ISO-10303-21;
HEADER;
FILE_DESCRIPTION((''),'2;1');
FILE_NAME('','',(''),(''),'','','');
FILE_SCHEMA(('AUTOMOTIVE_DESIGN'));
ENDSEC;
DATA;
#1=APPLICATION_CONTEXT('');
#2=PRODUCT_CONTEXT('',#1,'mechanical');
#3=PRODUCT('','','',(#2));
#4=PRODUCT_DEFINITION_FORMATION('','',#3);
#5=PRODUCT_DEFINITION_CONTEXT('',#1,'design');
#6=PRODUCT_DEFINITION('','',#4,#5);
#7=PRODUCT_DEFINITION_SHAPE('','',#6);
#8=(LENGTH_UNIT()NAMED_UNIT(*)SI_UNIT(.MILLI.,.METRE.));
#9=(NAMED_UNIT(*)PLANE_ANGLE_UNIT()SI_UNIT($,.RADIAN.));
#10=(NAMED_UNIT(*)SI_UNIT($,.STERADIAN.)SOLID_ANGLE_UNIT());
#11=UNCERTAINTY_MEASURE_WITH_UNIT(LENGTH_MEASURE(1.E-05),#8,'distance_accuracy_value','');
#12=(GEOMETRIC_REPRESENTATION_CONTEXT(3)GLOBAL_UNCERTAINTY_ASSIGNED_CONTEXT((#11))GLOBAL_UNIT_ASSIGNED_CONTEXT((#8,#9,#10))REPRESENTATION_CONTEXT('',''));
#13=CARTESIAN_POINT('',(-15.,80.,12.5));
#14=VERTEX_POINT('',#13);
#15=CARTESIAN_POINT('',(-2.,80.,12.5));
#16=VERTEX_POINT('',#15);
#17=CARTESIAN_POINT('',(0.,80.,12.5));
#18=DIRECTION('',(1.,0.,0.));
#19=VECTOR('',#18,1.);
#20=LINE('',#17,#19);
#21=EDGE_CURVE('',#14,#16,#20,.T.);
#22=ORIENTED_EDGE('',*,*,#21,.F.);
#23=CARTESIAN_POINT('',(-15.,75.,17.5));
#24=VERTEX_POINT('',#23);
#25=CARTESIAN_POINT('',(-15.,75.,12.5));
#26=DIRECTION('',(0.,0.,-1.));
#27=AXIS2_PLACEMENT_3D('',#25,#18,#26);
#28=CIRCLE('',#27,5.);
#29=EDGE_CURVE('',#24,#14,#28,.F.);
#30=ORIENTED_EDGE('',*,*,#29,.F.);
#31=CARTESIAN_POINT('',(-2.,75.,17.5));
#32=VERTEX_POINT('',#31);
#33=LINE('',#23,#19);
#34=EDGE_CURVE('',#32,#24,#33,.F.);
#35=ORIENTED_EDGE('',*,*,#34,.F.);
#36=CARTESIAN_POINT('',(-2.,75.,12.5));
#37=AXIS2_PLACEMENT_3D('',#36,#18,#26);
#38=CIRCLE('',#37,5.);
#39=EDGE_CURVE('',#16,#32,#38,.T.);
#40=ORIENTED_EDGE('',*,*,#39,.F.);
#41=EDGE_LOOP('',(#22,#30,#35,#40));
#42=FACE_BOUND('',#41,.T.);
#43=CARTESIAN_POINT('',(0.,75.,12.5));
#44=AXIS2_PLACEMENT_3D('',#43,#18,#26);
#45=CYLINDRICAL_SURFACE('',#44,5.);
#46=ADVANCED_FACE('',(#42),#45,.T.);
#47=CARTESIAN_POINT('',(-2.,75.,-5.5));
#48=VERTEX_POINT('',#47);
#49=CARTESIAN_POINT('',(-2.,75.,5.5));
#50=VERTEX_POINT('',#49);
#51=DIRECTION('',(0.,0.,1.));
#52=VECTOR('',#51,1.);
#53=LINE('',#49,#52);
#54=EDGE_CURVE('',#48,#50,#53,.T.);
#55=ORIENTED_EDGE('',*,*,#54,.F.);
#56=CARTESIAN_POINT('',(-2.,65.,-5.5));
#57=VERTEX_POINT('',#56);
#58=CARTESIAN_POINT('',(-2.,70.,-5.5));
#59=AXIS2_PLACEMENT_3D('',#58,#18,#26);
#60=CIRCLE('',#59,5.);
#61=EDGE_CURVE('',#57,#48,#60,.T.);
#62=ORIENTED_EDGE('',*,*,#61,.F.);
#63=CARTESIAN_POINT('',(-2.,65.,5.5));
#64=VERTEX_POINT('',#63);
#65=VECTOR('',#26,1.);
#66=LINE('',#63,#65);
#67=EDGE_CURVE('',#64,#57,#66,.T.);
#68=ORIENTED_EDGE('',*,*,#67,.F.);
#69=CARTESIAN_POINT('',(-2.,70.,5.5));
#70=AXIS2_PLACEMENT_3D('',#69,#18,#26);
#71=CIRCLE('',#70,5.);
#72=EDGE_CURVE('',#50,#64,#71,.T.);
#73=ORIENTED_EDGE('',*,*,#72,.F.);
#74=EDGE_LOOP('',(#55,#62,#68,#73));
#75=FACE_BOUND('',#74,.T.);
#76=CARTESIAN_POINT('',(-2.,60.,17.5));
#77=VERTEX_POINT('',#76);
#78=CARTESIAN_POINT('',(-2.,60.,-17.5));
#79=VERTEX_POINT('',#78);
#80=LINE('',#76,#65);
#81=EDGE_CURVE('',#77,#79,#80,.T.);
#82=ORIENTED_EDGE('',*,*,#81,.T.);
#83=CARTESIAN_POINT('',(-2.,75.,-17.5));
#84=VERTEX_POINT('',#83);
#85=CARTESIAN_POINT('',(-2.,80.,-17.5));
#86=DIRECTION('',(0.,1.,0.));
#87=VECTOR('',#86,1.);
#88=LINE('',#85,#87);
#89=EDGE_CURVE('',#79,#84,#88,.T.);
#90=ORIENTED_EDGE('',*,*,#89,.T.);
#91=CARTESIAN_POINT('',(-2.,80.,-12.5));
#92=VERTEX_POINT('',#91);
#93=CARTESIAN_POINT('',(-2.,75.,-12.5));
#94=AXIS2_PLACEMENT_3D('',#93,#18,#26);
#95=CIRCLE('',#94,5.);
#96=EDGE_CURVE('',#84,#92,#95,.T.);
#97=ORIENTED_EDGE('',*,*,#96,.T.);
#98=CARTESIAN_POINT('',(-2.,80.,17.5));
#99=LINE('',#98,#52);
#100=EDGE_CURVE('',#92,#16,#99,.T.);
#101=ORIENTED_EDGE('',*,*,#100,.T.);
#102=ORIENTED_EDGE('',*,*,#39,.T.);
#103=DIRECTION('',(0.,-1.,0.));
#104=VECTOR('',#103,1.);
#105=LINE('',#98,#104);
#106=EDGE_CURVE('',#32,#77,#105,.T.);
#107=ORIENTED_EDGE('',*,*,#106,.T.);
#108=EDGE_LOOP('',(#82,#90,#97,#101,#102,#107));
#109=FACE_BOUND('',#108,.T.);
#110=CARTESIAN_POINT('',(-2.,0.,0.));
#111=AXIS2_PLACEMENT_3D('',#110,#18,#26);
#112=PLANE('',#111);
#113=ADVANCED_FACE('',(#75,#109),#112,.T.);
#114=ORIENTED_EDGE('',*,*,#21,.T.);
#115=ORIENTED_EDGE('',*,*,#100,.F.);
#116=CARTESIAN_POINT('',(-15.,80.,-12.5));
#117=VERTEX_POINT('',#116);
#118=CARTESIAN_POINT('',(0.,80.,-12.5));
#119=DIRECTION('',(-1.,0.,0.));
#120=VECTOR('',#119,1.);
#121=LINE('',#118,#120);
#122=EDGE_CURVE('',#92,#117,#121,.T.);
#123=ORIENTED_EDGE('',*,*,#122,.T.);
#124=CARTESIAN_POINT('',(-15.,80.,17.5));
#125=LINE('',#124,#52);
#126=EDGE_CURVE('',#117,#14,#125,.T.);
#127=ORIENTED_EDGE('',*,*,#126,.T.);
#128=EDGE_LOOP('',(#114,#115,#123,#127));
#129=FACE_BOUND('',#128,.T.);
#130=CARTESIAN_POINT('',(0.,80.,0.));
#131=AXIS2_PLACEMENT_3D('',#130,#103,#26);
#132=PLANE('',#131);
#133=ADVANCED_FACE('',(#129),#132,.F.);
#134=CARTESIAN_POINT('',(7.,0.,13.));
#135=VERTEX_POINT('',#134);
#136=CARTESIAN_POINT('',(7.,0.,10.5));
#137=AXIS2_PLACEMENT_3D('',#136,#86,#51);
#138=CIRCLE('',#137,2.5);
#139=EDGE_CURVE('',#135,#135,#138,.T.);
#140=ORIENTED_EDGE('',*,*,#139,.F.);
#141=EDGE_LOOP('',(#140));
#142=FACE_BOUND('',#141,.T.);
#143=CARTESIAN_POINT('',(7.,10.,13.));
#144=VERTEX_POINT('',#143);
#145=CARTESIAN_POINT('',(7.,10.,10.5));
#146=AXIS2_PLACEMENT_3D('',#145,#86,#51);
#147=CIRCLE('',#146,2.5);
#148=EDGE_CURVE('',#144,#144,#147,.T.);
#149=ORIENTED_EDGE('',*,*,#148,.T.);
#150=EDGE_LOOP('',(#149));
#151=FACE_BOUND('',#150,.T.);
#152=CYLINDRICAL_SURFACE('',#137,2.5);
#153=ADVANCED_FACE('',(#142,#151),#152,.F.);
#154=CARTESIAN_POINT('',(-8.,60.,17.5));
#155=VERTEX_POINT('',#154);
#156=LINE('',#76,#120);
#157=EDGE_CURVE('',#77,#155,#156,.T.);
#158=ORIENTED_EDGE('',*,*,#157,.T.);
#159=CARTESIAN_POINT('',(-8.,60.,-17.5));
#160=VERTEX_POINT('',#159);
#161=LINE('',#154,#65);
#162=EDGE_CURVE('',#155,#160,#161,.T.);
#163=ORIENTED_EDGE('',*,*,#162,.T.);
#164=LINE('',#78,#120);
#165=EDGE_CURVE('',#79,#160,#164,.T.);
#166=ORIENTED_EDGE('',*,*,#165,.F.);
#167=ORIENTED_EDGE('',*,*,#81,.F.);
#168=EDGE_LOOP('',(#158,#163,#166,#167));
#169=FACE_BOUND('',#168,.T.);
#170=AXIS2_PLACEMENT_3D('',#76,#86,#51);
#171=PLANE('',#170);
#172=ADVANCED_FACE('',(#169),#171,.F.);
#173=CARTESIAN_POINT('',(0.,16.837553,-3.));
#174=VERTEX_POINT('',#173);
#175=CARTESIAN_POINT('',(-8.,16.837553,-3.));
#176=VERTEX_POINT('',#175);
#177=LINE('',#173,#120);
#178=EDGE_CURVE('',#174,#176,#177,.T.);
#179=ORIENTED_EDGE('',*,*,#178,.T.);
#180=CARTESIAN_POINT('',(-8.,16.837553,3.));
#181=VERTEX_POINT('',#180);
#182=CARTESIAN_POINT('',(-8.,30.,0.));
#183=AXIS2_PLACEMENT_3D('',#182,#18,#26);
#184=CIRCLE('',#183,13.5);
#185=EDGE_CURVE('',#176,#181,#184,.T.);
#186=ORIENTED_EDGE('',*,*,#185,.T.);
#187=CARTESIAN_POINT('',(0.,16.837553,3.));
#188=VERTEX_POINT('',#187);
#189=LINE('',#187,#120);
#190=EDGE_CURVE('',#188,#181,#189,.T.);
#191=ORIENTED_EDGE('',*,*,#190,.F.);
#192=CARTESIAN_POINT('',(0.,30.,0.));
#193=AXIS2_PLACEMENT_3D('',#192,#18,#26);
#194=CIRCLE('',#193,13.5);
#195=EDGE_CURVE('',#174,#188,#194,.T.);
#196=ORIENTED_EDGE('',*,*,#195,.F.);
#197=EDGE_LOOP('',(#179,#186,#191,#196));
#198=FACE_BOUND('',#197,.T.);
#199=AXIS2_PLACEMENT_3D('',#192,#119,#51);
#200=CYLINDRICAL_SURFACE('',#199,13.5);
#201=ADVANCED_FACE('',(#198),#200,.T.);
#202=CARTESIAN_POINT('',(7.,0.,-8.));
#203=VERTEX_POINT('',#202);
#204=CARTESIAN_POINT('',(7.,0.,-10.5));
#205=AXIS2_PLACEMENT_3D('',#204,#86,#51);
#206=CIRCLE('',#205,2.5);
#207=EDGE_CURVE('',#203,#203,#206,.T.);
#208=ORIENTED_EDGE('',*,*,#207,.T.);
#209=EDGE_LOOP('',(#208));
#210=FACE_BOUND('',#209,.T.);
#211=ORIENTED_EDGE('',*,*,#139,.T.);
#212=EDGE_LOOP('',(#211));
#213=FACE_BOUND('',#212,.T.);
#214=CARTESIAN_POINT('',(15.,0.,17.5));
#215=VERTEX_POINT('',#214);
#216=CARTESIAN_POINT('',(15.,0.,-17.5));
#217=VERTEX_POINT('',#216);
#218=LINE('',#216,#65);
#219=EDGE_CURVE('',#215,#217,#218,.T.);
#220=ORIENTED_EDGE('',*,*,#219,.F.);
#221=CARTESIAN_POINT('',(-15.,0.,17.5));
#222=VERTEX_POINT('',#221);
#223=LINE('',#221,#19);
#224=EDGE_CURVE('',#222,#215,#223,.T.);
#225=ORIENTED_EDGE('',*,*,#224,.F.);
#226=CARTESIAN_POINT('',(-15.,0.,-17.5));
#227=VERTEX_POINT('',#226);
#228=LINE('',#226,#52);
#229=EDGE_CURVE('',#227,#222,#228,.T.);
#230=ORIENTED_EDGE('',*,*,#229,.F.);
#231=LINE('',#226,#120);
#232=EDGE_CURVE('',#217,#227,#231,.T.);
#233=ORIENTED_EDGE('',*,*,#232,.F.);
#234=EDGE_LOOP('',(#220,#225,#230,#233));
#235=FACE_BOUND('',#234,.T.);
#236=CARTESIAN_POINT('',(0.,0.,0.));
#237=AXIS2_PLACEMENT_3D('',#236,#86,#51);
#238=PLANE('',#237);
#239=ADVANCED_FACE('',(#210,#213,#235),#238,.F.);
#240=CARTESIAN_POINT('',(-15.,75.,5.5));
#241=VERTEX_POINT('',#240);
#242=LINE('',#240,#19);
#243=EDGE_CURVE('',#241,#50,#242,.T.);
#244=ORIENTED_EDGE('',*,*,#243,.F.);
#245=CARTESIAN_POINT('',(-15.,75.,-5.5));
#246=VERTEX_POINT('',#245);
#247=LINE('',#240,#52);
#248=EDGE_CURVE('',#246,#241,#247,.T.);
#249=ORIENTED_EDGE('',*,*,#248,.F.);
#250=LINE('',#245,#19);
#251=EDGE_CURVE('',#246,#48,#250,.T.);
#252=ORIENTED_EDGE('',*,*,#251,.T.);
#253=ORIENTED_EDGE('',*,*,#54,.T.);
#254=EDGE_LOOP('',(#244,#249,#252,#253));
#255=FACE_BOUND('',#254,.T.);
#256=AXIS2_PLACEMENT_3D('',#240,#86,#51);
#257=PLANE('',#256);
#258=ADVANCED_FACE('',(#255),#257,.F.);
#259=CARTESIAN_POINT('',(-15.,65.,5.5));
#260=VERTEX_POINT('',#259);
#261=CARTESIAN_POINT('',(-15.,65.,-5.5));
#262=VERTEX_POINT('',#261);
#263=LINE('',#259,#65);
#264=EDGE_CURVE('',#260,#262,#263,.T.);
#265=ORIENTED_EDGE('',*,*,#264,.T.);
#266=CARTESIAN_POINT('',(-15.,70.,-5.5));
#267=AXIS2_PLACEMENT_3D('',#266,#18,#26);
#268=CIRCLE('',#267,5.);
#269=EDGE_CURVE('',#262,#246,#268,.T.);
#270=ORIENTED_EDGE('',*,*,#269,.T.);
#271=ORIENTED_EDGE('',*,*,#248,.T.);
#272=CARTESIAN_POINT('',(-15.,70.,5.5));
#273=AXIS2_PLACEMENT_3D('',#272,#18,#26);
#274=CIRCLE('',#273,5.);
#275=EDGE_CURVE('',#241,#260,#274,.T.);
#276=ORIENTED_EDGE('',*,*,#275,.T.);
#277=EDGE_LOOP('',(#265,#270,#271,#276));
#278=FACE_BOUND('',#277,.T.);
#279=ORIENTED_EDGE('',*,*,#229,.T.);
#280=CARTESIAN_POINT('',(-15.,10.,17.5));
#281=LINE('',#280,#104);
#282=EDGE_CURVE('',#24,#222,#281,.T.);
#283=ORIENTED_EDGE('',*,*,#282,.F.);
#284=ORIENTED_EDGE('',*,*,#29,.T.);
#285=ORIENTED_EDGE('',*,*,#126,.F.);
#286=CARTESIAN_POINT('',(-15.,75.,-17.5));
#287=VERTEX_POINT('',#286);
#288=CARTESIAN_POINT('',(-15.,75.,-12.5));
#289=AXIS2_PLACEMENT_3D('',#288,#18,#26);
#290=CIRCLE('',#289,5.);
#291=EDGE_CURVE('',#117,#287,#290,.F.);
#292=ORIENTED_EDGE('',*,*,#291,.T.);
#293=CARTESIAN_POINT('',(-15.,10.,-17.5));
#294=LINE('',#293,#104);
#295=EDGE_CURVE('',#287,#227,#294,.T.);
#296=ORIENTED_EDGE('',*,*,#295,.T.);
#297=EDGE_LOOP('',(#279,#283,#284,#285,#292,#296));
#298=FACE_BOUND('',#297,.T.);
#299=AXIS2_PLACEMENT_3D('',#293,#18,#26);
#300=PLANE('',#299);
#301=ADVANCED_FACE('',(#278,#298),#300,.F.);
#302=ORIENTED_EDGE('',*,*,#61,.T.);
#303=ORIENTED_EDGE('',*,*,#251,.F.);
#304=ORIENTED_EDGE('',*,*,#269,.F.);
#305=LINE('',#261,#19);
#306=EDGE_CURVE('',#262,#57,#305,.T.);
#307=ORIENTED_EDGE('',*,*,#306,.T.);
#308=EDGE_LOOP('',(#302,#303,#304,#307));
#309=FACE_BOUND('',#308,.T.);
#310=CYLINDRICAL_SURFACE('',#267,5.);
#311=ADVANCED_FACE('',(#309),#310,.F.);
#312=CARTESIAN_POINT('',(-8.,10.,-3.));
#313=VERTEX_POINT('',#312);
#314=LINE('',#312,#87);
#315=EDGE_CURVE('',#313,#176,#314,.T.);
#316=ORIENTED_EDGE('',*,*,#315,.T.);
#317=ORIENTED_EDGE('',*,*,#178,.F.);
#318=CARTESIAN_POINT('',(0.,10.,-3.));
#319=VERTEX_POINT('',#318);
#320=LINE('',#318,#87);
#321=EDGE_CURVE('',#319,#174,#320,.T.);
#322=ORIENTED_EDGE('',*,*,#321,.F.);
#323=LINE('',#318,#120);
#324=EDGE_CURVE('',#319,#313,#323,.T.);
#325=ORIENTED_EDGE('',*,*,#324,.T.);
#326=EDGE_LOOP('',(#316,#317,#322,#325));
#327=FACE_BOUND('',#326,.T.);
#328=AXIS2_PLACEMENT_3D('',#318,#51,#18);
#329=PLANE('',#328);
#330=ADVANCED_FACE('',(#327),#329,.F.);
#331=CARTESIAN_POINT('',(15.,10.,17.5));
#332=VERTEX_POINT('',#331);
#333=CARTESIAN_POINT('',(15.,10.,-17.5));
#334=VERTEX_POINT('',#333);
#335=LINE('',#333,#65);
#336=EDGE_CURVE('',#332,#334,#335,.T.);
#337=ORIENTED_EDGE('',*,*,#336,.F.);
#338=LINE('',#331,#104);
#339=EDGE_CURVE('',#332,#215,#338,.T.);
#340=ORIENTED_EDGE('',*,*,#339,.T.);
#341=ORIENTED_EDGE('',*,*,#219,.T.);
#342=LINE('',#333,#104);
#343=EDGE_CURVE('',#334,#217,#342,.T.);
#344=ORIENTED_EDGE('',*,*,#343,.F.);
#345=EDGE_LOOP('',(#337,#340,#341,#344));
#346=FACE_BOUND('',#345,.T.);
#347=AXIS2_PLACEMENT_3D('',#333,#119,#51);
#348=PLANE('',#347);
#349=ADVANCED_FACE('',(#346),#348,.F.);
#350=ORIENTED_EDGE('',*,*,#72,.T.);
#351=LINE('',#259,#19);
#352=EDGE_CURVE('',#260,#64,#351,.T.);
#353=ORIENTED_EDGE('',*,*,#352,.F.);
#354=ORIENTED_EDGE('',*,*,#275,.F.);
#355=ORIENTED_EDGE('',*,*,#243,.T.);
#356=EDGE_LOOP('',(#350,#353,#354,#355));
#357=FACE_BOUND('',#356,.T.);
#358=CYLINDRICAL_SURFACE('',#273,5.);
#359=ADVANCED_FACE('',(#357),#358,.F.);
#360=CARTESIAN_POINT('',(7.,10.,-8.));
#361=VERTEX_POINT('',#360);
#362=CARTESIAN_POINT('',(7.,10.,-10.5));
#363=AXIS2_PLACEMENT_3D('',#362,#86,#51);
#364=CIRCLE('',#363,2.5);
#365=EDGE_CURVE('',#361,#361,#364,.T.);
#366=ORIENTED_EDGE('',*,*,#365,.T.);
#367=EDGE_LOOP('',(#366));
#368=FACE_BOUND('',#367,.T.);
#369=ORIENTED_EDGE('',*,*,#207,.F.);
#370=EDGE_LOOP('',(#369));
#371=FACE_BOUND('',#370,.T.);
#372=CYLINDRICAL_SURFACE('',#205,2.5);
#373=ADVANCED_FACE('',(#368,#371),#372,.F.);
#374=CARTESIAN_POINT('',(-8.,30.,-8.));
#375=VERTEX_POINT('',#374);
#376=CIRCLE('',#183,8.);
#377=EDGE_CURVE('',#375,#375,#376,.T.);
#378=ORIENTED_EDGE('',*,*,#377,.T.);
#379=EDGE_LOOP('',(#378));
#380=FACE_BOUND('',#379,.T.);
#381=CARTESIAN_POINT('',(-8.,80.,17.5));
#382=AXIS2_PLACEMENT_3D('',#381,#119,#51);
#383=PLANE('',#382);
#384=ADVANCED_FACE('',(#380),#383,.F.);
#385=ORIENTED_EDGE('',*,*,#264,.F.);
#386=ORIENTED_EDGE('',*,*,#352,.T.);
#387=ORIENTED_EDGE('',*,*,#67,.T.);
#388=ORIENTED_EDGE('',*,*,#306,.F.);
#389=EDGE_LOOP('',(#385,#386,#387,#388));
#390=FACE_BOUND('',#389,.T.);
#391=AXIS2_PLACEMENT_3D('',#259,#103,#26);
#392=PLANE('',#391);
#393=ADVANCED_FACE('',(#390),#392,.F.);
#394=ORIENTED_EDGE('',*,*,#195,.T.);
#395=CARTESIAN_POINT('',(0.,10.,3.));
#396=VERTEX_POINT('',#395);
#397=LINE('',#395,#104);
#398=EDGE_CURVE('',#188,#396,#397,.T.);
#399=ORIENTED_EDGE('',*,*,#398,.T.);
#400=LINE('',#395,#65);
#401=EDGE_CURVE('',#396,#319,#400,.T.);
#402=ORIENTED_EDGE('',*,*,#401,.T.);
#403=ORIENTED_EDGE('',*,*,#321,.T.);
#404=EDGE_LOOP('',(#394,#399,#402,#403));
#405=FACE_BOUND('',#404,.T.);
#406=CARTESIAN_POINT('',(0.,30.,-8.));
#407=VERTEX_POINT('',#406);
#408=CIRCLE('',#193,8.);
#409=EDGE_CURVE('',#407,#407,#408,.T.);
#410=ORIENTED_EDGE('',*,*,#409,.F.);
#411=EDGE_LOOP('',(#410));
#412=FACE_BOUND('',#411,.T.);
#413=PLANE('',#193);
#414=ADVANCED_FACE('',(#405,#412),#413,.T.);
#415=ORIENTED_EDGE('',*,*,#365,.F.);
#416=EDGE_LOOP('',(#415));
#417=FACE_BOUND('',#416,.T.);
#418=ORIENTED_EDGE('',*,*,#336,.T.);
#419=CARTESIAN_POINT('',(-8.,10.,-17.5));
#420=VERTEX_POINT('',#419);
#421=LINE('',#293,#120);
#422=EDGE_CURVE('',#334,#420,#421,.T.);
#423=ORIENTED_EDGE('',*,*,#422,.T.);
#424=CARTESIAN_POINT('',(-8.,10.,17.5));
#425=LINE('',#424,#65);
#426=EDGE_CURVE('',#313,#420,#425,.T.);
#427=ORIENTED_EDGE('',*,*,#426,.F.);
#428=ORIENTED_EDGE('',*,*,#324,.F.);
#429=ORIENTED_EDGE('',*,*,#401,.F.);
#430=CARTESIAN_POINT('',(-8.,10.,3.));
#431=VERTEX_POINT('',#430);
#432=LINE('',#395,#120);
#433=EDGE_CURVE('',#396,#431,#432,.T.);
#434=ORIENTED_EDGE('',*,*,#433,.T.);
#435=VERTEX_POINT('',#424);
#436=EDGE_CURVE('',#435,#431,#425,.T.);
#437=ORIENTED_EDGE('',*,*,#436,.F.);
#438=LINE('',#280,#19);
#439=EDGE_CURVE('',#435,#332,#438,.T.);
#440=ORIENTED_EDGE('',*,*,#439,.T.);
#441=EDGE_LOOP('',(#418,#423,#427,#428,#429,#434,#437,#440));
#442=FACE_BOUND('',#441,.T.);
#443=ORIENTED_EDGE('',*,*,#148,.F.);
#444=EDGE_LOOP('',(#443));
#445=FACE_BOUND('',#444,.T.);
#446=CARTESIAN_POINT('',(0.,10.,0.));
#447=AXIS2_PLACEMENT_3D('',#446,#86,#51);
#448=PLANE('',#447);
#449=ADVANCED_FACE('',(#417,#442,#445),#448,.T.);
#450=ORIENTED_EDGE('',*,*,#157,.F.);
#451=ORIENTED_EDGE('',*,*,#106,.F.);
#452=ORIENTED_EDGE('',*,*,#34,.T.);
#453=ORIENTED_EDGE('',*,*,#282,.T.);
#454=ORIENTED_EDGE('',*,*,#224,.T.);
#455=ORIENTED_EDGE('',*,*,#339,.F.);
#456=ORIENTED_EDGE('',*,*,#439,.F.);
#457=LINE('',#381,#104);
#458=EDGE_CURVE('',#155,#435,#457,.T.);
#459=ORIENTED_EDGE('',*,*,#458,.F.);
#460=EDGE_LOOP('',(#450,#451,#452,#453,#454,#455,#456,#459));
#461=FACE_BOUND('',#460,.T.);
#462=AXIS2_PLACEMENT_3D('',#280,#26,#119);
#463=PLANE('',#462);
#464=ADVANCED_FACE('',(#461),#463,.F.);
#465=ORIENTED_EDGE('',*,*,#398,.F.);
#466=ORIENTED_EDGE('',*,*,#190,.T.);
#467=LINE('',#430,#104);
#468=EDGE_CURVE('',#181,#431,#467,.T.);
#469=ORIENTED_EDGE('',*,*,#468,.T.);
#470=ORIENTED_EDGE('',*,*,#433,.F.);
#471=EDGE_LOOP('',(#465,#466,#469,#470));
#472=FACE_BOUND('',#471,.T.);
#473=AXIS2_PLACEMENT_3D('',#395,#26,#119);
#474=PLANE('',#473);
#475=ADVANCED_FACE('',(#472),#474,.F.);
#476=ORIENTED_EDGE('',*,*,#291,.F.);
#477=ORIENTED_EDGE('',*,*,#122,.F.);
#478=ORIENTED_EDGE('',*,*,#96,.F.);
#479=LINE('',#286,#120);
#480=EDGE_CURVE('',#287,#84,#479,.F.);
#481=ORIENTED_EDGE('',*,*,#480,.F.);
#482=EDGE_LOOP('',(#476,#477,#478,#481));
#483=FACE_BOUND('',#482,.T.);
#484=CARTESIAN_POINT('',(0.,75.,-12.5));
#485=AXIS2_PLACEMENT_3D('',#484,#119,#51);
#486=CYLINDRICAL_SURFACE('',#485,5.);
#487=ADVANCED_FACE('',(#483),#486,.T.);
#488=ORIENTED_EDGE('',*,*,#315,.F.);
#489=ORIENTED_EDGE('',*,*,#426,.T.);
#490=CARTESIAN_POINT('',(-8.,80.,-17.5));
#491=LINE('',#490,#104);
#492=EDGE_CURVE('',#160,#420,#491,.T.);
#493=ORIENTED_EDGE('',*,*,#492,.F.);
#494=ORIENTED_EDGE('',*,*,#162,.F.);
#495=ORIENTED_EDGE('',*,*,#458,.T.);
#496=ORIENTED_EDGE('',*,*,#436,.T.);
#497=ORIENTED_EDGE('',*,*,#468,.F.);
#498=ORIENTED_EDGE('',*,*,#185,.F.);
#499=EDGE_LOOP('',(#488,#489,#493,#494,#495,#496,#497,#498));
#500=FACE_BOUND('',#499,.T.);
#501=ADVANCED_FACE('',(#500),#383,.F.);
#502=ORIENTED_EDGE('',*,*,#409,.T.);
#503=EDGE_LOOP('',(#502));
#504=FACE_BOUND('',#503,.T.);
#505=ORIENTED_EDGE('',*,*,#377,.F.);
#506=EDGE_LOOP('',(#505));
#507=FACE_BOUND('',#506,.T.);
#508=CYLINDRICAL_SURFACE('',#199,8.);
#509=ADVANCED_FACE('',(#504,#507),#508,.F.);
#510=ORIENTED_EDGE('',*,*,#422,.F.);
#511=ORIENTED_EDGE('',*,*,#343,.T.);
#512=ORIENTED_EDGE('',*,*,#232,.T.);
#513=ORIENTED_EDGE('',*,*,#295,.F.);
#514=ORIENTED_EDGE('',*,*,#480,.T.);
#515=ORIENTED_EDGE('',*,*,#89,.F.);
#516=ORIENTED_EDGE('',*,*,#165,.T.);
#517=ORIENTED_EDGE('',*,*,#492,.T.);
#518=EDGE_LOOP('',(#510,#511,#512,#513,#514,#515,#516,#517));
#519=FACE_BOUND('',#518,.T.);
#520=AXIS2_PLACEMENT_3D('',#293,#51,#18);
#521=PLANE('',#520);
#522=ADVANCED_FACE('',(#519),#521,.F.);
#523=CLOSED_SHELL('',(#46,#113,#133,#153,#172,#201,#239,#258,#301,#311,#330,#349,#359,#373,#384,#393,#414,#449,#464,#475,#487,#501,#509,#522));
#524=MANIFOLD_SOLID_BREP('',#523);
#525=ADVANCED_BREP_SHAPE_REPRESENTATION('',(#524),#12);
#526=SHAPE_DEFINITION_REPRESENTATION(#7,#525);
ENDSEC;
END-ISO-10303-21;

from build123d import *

# Parameters (mm, degrees)
IZIM1_W                     = 30
IZIM1_H                     = 35
Y_KSEKLIK_EKSTR_ZYON1_DEPTH = 10
IZIM2_W                     = 7
IZIM2_H                     = 35
Y_KSEKLIK_EKSTR_ZYON2_DEPTH = 70
IZIM3_W                     = 35
IZIM3_H                     = 20
Y_KSEKLIK_EKSTR_ZYON3_DEPTH = 6
RADYUS1_R                   = 5
KES_EKSTR_ZYON1_DEPTH       = 14
IZIM5_R                     = 2.5
KES_EKSTR_ZYON2_DEPTH       = 11
IZIM6_R                     = 8
Y_KSEKLIK_EKSTR_ZYON4_DEPTH = 8


with BuildPart() as part:
    # Çizim1 → Yükseklik-Ekstrüzyon1 (new body)
    with BuildSketch(Plane(origin=(0, 0, 0), x_dir=(1, 0, 0), z_dir=(0, 1, 0))):
        Rectangle(IZIM1_W, IZIM1_H)
    extrude(amount=Y_KSEKLIK_EKSTR_ZYON1_DEPTH)

    # Çizim2 → Yükseklik-Ekstrüzyon2 (add)
    with BuildSketch(Plane(origin=(0, 10, 0), x_dir=(1, 0, 0), z_dir=(0, 1, 0))):
        with Locations((-11.5, 0)):
            Rectangle(IZIM2_W, IZIM2_H)
    extrude(amount=Y_KSEKLIK_EKSTR_ZYON2_DEPTH)

    # Çizim3 → Yükseklik-Ekstrüzyon3 (add)
    with BuildSketch(Plane(origin=(-8, 0, 0), x_dir=(0, 0, -1), z_dir=(1, 0, 0))):
        with Locations((0, 70)):
            Rectangle(IZIM3_W, IZIM3_H)
    extrude(amount=Y_KSEKLIK_EKSTR_ZYON3_DEPTH)

    # Radyus1
    radyus1_edges = [part.edges().sort_by_distance(p)[0] for p in [
        (-8.5, 80, 17.5),
        (-8.5, 80, -17.5),
    ]]
    fillet(radyus1_edges, radius=RADYUS1_R)

    # Çizim4 → Kes-Ekstrüzyon1 (cut, through all)
    with BuildSketch(Plane(origin=(-2, 0, 0), x_dir=(0, 0, -1), z_dir=(1, 0, 0))):
        with BuildLine():
            Line((-5.5, 75), (5.5, 75))
            ThreePointArc((5.5, 75), (10.5, 70), (5.5, 65))
            Line((5.5, 65), (-5.5, 65))
            ThreePointArc((-5.5, 65), (-10.5, 70), (-5.5, 75))
        make_face()
    extrude(amount=-KES_EKSTR_ZYON1_DEPTH, mode=Mode.SUBTRACT)

    # Çizim5 → Kes-Ekstrüzyon2 (cut, through all)
    with BuildSketch(Plane(origin=(0, 10, 0), x_dir=(1, 0, 0), z_dir=(0, 1, 0))):
        with Locations((7, 10.5)):
            Circle(IZIM5_R)
        with Locations((7, -10.5)):
            Circle(IZIM5_R)
    extrude(amount=-KES_EKSTR_ZYON2_DEPTH, mode=Mode.SUBTRACT)

    # Çizim6 → Yükseklik-Ekstrüzyon4 (add)
    with BuildSketch(Plane(origin=(-8, 0, 0), x_dir=(0, 0, -1), z_dir=(1, 0, 0))):
        with BuildLine():
            Line((-3, 10), (3, 10))
            Line((3, 10), (3, 16.837553419))
            ThreePointArc((3, 16.837553419), (0, 43.5), (-3, 16.837553419))
            Line((-3, 16.837553419), (-3, 10))
        make_face()
        with Locations((0, 30)):
            Circle(IZIM6_R, mode=Mode.SUBTRACT)
    extrude(amount=Y_KSEKLIK_EKSTR_ZYON4_DEPTH)


solid = part.part
